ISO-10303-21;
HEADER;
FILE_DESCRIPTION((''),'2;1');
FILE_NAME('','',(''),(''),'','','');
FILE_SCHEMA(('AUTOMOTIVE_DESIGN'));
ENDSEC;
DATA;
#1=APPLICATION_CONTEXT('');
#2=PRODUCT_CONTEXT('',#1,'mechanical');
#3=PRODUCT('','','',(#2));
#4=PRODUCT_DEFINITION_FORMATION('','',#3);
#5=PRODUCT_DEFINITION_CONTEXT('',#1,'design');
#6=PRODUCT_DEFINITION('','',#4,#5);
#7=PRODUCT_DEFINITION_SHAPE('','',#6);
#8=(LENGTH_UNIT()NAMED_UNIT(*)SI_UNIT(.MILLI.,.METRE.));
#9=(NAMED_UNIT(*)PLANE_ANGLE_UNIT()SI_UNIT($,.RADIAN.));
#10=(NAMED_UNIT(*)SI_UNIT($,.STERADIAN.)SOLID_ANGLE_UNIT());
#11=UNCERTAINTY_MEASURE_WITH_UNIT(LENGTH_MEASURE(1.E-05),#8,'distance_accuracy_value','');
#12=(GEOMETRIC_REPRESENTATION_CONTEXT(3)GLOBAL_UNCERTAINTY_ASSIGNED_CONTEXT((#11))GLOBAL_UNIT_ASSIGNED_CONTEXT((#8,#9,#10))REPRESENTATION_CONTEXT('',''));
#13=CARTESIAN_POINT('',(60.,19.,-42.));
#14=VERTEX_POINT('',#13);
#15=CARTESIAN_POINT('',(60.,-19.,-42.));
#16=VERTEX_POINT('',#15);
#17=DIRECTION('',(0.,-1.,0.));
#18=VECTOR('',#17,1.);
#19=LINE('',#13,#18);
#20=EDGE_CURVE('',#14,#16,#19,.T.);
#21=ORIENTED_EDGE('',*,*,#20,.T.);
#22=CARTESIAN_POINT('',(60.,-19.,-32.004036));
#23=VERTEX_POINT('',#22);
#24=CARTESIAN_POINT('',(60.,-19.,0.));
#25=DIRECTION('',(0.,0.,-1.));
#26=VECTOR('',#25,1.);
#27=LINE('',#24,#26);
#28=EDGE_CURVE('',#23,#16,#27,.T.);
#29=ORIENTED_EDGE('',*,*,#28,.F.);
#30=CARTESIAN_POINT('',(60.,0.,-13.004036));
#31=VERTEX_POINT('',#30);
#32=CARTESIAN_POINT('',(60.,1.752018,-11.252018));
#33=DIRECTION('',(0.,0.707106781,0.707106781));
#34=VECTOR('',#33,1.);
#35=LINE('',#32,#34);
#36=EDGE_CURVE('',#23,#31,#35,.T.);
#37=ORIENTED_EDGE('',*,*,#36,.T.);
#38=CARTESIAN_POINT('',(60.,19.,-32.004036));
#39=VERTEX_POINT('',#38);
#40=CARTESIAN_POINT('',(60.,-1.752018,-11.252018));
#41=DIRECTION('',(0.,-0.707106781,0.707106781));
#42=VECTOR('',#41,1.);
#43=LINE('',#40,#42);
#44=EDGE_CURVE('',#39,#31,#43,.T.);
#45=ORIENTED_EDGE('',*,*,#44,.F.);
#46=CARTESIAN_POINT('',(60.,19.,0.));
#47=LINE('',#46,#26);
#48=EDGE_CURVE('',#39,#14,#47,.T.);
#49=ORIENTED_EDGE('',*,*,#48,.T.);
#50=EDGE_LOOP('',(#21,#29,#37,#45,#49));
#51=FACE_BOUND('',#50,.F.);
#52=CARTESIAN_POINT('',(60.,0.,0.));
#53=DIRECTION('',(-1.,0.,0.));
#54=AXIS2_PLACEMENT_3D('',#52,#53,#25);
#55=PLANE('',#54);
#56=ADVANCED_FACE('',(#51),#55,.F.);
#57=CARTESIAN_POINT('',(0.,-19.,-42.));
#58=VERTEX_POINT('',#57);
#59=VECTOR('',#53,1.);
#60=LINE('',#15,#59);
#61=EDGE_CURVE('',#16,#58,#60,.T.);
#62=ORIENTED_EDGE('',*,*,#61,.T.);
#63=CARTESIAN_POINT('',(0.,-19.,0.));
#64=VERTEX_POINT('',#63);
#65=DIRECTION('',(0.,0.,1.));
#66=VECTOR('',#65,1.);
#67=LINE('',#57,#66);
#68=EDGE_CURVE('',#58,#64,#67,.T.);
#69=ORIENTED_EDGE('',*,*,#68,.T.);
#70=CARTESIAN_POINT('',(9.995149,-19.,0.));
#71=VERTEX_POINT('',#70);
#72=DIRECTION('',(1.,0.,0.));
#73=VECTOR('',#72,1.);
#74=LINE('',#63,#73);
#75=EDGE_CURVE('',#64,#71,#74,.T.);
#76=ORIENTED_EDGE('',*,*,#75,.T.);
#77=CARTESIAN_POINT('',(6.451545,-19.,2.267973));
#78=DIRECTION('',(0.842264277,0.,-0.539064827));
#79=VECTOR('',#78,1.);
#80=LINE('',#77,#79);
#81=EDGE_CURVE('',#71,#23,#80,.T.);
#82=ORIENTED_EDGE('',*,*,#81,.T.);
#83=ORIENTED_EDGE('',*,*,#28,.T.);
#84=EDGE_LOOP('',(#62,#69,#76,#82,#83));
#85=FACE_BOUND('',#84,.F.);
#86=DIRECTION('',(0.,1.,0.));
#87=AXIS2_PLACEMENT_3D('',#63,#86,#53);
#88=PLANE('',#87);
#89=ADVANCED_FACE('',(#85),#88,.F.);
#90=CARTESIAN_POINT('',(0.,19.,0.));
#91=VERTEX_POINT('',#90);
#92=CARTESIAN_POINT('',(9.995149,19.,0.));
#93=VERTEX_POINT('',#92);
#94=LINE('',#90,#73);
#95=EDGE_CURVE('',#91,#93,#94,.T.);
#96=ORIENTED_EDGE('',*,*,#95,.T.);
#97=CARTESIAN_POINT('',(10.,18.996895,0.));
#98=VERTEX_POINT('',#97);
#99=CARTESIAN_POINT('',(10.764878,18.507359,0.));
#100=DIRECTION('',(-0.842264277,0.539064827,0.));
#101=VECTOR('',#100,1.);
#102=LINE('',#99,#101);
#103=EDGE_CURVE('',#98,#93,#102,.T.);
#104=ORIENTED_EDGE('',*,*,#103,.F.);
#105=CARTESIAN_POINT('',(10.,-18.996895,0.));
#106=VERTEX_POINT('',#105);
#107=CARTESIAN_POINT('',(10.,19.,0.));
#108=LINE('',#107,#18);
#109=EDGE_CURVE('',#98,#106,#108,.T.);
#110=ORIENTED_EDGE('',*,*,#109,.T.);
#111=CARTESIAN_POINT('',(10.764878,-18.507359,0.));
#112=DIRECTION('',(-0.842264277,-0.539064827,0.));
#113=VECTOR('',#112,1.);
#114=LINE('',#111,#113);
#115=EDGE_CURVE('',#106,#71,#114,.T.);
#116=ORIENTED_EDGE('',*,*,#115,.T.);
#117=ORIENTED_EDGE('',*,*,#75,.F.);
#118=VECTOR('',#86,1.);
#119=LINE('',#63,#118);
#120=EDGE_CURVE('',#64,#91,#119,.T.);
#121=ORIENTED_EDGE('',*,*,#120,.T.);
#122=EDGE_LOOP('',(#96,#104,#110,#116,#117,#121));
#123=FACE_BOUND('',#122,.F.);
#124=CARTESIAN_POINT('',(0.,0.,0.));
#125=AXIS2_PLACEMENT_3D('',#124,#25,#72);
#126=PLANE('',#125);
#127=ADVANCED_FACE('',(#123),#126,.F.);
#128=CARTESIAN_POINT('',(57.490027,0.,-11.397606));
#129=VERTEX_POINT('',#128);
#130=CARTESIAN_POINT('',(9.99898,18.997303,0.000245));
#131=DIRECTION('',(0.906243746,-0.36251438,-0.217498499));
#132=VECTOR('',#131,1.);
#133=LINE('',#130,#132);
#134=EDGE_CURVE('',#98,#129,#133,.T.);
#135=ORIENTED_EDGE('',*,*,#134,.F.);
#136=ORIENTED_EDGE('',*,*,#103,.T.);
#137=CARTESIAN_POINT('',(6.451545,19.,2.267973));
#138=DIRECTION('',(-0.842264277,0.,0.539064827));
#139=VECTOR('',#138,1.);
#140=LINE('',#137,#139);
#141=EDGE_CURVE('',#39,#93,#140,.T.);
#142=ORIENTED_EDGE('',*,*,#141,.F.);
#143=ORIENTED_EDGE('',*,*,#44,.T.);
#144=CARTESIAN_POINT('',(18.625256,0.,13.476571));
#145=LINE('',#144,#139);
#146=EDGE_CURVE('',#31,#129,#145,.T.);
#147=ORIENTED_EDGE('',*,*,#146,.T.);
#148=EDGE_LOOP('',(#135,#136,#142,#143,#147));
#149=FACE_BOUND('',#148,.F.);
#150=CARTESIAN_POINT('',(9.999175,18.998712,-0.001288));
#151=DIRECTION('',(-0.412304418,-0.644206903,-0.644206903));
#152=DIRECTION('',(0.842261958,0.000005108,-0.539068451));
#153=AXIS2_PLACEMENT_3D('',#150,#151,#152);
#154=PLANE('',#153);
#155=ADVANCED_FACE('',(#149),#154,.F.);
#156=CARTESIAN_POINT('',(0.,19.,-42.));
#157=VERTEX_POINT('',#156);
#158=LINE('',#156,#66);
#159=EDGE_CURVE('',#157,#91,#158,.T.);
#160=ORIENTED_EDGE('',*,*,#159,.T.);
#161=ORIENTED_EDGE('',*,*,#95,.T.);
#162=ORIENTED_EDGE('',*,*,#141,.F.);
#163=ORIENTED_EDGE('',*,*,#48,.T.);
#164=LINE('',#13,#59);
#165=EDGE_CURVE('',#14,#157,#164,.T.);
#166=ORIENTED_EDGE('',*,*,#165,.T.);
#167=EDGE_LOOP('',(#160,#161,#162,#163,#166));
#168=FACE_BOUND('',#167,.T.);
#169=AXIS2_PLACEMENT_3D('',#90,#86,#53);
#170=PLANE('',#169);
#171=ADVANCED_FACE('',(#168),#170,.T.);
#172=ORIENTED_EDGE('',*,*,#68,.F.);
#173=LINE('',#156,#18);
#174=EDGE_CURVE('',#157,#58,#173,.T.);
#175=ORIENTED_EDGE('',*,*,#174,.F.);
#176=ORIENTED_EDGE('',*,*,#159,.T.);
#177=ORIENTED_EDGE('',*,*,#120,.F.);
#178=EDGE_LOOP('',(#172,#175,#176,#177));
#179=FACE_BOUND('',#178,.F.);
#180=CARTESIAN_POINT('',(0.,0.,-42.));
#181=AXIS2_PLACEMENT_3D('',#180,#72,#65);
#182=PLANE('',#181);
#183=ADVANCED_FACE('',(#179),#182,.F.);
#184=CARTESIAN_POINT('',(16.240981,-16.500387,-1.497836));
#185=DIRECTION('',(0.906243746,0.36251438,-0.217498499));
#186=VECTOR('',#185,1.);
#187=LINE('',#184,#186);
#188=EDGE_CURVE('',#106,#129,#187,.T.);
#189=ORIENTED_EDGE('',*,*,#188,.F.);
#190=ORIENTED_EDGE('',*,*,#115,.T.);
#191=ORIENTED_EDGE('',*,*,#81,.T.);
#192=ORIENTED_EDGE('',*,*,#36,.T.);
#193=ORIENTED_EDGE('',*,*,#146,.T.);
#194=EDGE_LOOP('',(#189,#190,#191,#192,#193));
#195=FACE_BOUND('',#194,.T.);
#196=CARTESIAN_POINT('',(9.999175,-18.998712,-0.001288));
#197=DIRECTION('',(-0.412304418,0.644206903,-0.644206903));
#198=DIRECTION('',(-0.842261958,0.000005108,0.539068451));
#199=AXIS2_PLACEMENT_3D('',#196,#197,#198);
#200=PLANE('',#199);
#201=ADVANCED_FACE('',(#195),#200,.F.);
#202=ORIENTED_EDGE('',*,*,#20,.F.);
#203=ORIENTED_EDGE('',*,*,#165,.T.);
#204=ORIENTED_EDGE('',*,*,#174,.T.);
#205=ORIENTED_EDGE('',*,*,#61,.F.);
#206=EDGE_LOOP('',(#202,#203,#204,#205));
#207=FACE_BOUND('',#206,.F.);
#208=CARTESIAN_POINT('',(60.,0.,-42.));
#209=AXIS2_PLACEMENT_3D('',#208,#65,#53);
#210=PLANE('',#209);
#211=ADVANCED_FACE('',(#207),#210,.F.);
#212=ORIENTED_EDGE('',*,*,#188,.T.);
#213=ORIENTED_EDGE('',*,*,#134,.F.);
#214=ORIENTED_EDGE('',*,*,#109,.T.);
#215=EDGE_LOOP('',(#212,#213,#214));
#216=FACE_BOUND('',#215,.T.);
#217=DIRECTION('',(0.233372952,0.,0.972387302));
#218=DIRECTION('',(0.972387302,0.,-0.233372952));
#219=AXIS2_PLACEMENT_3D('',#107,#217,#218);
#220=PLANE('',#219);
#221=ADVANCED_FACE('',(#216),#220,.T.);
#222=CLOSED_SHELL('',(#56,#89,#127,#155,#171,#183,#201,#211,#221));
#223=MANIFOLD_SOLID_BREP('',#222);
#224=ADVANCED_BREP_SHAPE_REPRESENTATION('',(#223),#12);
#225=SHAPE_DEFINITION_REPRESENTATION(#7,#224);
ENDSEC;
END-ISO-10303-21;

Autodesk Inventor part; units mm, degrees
ref_plane "YZ Plane" through (0, 0, 0) normal (1, 0, 0) x (0, 1, 0)
ref_plane "XZ Plane" through (0, 0, 0) normal (0, 1, 0) x (-1, 0, 0)
sketch "草圖1" plane through (0, 0, 0) normal (0, 1, 0) x (-1, 0, 0)
  line L0 (0, 0) -> (-60, 0)
  line L1 (-60, 0) -> (-60, -42)
  line L2 (-60, -42) -> (0, -42)
  line L3 (0, -42) -> (0, 0)
  dimension "d0" = 60
  dimension "d1" = 42
extrude "擠出1" add sketch "草圖1" along normal mid plane 38
sketch "草圖2" plane through (0, 19, 0) normal (0, 1, 0) x (1, 0, 0)
  line L0 (0, 0) -> (60, 0) projected
  line L1 (10, 0) -> (60, 12)
  line L2 (60, 0) -> (60, 42) projected
  dimension "d4" = 10
  dimension "d5" = 30
extrude "擠出2" cut sketch "草圖2" against normal blind 40
sketch "草圖3" plane through (60, -19, -42) normal (1, 0, 0) x (0, 0, -1)
  line L0 (-30, 18) -> (-10, 38)
  line L1 (0, 38) -> (-42, 38) projected
  line L2 (-30, 38) -> (-30, 0) projected
  point P0 (-42, 19)
  dimension "d8" = 20
  dimension "d9" = 20
ref_plane "工作平面1" through (10, 19, 0) normal (-0.4123, -0.6442, -0.6442) x (0.8423, 0, -0.5391)
sketch "草圖4" plane through (10, 19, 0) normal (-0.4123, -0.6442, -0.6442) x (0.8423, 0, -0.5391)
  line L0 (-15.1543, -12.3218) -> (93.717, -12.3218)
  line L1 (93.717, -12.3218) -> (93.717, 28.8166)
  line L2 (93.717, 28.8166) -> (-15.1543, 28.8166)
  line L3 (-15.1543, 28.8166) -> (-15.1543, -12.3218)
  point P0 (-8.4227, 11.0595)
extrude "擠出3" cut sketch "草圖4" against normal blind 40
mirror "鏡射1" about plane through (0, 0, 0) normal (0, 1, 0) of "擠出3"
properties part number "38"
